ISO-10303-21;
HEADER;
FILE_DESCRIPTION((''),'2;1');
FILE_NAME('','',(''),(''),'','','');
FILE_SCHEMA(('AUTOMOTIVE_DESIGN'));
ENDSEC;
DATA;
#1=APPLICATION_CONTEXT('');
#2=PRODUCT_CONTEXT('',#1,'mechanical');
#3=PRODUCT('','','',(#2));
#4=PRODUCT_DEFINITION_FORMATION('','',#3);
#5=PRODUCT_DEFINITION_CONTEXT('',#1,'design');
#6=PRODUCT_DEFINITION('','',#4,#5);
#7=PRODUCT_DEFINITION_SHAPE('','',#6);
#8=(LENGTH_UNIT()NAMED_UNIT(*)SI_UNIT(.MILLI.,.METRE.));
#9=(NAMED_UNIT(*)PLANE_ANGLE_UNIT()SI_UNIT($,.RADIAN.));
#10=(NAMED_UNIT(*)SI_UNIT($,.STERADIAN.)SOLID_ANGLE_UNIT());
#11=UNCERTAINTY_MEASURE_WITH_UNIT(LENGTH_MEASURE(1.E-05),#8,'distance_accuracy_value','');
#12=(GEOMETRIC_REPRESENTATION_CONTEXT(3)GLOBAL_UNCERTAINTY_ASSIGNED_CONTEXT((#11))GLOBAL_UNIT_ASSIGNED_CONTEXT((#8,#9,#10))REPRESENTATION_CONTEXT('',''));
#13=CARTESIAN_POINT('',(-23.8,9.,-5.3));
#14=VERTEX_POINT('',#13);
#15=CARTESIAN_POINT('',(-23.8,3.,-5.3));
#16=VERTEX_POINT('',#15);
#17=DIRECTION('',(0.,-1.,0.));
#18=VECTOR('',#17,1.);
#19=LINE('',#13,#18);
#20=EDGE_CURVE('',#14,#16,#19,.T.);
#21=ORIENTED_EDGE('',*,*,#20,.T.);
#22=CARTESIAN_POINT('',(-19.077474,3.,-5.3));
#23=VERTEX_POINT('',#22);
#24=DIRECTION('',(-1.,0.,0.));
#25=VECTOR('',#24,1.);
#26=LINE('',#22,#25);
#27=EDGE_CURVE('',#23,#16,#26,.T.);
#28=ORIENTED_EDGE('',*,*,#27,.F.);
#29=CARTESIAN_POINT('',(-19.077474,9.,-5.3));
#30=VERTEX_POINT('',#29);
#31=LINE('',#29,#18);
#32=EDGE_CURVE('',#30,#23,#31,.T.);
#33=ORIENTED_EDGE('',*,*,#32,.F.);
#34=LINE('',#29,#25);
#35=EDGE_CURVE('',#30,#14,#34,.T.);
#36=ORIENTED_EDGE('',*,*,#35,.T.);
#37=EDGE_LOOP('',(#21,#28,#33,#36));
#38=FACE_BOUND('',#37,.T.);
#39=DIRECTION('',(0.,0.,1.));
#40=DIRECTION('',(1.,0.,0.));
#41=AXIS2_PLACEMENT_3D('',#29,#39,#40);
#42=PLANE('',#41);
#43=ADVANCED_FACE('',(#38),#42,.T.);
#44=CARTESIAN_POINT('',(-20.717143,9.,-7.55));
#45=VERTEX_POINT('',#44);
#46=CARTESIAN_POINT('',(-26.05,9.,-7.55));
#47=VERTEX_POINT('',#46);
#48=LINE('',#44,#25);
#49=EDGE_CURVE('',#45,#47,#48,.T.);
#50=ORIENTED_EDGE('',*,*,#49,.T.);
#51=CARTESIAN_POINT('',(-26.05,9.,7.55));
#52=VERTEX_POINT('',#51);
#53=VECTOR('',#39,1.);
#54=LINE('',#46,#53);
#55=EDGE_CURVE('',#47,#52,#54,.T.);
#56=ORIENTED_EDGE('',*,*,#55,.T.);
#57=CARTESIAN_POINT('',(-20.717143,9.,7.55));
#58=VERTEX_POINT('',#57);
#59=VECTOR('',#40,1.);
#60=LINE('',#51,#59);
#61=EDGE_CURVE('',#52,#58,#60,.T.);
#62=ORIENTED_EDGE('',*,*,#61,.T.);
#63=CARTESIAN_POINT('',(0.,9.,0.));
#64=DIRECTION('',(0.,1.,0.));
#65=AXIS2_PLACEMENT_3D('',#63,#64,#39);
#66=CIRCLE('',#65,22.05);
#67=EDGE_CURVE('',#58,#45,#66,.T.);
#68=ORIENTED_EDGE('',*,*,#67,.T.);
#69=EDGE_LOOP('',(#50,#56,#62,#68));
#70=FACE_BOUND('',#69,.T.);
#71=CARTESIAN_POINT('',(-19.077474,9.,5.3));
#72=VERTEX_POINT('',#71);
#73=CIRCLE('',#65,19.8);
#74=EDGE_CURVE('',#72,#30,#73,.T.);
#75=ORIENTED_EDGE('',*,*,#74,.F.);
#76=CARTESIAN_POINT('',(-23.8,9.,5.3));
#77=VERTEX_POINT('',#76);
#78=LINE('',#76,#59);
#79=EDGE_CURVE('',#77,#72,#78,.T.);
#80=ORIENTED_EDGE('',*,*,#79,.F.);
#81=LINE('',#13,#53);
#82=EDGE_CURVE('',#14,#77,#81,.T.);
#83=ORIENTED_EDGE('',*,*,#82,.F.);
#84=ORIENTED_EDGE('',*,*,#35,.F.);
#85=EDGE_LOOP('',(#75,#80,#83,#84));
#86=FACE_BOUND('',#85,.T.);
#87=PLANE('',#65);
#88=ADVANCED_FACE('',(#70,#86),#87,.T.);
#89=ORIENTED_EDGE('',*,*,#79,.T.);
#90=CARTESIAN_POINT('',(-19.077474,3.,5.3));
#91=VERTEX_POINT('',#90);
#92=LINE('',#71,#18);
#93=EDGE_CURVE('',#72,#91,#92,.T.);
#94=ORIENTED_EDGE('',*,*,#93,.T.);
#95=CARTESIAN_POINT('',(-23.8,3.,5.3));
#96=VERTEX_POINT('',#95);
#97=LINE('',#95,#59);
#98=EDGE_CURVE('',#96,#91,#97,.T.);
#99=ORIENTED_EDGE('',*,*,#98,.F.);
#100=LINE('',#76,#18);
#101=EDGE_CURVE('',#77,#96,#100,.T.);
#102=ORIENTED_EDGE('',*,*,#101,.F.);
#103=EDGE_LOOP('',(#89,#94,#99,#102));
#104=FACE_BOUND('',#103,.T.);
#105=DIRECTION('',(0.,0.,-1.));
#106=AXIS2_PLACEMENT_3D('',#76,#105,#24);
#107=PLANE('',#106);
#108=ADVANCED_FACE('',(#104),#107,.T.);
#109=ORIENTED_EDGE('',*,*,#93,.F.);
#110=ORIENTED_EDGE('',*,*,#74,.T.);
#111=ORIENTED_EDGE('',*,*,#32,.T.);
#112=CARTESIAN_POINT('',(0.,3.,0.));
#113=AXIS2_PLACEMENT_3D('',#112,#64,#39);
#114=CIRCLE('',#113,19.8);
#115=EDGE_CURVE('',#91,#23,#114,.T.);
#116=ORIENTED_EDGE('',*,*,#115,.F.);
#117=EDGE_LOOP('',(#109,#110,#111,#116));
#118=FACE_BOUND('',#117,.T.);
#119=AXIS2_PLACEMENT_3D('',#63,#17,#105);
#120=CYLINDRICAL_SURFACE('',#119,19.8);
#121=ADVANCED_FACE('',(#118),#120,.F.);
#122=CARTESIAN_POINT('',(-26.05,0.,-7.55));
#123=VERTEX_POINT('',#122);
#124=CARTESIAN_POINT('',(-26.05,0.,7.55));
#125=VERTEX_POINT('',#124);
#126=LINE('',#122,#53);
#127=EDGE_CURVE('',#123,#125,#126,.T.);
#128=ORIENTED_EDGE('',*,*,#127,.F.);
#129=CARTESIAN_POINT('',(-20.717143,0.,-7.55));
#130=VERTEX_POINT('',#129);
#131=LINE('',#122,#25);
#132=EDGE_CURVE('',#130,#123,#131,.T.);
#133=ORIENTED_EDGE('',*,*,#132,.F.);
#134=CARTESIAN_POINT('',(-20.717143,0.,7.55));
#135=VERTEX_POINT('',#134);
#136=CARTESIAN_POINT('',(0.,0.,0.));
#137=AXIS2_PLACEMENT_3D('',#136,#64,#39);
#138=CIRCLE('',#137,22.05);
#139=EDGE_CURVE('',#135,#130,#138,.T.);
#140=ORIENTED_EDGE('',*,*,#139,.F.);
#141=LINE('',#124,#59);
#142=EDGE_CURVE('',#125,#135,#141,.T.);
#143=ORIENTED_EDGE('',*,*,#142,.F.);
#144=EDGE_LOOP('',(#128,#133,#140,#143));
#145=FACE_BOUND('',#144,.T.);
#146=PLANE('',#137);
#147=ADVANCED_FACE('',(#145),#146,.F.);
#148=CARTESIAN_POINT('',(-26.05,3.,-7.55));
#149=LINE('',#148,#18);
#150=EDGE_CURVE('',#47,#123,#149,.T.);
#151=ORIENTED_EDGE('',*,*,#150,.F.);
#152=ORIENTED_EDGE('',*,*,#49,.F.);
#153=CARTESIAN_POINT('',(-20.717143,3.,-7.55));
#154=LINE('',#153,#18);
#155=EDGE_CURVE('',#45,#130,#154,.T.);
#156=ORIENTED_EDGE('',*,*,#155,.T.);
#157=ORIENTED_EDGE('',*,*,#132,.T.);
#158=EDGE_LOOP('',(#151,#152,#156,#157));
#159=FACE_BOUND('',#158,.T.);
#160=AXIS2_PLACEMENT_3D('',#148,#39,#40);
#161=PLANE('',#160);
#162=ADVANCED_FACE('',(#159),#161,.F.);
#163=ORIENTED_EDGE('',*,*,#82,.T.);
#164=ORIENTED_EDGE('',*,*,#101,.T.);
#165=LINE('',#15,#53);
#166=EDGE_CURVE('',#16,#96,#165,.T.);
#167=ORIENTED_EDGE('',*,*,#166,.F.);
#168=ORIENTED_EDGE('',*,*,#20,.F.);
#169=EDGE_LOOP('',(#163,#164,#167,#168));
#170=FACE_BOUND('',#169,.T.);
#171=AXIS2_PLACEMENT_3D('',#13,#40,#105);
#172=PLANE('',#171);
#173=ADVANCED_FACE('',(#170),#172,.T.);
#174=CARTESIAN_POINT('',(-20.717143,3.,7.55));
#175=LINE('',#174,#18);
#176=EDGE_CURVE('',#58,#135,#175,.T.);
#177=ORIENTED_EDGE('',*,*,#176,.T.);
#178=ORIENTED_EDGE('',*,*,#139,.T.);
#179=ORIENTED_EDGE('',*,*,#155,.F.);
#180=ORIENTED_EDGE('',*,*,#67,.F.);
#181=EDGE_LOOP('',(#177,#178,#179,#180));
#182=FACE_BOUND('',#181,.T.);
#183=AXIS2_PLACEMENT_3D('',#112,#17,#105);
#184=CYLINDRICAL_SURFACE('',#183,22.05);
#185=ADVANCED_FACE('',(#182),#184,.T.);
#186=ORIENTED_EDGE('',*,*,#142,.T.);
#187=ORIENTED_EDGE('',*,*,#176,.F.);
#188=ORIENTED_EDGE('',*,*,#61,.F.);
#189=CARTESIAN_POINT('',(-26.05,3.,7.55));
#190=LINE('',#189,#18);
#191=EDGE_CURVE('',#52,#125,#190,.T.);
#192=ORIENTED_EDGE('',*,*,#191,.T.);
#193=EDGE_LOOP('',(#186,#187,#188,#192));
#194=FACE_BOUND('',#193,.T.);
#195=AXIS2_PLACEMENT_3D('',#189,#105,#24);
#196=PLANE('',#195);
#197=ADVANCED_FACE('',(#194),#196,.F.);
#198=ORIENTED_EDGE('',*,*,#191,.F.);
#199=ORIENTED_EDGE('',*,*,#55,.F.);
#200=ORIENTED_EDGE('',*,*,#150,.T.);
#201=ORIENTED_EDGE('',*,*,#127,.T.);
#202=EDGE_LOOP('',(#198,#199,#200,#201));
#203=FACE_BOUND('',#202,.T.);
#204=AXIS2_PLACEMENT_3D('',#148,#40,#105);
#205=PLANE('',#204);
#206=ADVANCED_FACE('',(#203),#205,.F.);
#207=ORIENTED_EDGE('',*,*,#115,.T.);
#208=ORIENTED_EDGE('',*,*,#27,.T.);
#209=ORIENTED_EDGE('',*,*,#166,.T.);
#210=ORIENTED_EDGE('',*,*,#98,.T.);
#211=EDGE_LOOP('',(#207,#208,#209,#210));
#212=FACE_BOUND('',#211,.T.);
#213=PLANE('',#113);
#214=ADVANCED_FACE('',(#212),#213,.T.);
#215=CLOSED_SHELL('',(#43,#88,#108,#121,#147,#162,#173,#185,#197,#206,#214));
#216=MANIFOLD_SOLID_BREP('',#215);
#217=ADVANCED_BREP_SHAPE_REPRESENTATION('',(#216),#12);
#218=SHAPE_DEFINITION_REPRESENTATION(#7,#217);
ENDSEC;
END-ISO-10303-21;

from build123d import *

# Parameters (mm, degrees)
EXTRUDE_1_DEPTH = 3
EXTRUDE_2_DEPTH = 6


with BuildPart() as part:
    # 스케치1 → 보스-돌출1 (new body)
    with BuildSketch(Plane(origin=(0, 0, 0), x_dir=(1, 0, 0), z_dir=(0, 1, 0))):
        with BuildLine():
            Line((-26.05, 7.55), (-20.71714266, 7.55))
            ThreePointArc((-20.71714266, 7.55), (22.05, 0), (-20.71714266, -7.55))
            Line((-20.71714266, -7.55), (-26.05, -7.55))
            Line((-26.05, -7.55), (-26.05, 7.55))
        make_face()
    extrude(amount=EXTRUDE_1_DEPTH)

    # 스케치2 → 보스-돌출2 (add)
    with BuildSketch(Plane(origin=(0, 3, 0), x_dir=(1, 0, 0), z_dir=(0, 1, 0))):
        with BuildLine():
            Line((-26.05, 7.55), (-26.05, -7.55))
            Line((-26.05, -7.55), (-20.71714266, -7.55))
            ThreePointArc((-20.71714266, -7.55), (22.05, 0), (-20.71714266, 7.55))
            Line((-20.71714266, 7.55), (-26.05, 7.55))
        make_face()
        with BuildLine():
            Line((-19.077473627, 5.3), (-23.8, 5.3))
            Line((-23.8, 5.3), (-23.8, -5.3))
            Line((-23.8, -5.3), (-19.077473627, -5.3))
            ThreePointArc((-19.077473627, -5.3), (19.8, 0), (-19.077473627, 5.3))
        make_face(mode=Mode.SUBTRACT)
    extrude(amount=EXTRUDE_2_DEPTH)


solid = part.part
